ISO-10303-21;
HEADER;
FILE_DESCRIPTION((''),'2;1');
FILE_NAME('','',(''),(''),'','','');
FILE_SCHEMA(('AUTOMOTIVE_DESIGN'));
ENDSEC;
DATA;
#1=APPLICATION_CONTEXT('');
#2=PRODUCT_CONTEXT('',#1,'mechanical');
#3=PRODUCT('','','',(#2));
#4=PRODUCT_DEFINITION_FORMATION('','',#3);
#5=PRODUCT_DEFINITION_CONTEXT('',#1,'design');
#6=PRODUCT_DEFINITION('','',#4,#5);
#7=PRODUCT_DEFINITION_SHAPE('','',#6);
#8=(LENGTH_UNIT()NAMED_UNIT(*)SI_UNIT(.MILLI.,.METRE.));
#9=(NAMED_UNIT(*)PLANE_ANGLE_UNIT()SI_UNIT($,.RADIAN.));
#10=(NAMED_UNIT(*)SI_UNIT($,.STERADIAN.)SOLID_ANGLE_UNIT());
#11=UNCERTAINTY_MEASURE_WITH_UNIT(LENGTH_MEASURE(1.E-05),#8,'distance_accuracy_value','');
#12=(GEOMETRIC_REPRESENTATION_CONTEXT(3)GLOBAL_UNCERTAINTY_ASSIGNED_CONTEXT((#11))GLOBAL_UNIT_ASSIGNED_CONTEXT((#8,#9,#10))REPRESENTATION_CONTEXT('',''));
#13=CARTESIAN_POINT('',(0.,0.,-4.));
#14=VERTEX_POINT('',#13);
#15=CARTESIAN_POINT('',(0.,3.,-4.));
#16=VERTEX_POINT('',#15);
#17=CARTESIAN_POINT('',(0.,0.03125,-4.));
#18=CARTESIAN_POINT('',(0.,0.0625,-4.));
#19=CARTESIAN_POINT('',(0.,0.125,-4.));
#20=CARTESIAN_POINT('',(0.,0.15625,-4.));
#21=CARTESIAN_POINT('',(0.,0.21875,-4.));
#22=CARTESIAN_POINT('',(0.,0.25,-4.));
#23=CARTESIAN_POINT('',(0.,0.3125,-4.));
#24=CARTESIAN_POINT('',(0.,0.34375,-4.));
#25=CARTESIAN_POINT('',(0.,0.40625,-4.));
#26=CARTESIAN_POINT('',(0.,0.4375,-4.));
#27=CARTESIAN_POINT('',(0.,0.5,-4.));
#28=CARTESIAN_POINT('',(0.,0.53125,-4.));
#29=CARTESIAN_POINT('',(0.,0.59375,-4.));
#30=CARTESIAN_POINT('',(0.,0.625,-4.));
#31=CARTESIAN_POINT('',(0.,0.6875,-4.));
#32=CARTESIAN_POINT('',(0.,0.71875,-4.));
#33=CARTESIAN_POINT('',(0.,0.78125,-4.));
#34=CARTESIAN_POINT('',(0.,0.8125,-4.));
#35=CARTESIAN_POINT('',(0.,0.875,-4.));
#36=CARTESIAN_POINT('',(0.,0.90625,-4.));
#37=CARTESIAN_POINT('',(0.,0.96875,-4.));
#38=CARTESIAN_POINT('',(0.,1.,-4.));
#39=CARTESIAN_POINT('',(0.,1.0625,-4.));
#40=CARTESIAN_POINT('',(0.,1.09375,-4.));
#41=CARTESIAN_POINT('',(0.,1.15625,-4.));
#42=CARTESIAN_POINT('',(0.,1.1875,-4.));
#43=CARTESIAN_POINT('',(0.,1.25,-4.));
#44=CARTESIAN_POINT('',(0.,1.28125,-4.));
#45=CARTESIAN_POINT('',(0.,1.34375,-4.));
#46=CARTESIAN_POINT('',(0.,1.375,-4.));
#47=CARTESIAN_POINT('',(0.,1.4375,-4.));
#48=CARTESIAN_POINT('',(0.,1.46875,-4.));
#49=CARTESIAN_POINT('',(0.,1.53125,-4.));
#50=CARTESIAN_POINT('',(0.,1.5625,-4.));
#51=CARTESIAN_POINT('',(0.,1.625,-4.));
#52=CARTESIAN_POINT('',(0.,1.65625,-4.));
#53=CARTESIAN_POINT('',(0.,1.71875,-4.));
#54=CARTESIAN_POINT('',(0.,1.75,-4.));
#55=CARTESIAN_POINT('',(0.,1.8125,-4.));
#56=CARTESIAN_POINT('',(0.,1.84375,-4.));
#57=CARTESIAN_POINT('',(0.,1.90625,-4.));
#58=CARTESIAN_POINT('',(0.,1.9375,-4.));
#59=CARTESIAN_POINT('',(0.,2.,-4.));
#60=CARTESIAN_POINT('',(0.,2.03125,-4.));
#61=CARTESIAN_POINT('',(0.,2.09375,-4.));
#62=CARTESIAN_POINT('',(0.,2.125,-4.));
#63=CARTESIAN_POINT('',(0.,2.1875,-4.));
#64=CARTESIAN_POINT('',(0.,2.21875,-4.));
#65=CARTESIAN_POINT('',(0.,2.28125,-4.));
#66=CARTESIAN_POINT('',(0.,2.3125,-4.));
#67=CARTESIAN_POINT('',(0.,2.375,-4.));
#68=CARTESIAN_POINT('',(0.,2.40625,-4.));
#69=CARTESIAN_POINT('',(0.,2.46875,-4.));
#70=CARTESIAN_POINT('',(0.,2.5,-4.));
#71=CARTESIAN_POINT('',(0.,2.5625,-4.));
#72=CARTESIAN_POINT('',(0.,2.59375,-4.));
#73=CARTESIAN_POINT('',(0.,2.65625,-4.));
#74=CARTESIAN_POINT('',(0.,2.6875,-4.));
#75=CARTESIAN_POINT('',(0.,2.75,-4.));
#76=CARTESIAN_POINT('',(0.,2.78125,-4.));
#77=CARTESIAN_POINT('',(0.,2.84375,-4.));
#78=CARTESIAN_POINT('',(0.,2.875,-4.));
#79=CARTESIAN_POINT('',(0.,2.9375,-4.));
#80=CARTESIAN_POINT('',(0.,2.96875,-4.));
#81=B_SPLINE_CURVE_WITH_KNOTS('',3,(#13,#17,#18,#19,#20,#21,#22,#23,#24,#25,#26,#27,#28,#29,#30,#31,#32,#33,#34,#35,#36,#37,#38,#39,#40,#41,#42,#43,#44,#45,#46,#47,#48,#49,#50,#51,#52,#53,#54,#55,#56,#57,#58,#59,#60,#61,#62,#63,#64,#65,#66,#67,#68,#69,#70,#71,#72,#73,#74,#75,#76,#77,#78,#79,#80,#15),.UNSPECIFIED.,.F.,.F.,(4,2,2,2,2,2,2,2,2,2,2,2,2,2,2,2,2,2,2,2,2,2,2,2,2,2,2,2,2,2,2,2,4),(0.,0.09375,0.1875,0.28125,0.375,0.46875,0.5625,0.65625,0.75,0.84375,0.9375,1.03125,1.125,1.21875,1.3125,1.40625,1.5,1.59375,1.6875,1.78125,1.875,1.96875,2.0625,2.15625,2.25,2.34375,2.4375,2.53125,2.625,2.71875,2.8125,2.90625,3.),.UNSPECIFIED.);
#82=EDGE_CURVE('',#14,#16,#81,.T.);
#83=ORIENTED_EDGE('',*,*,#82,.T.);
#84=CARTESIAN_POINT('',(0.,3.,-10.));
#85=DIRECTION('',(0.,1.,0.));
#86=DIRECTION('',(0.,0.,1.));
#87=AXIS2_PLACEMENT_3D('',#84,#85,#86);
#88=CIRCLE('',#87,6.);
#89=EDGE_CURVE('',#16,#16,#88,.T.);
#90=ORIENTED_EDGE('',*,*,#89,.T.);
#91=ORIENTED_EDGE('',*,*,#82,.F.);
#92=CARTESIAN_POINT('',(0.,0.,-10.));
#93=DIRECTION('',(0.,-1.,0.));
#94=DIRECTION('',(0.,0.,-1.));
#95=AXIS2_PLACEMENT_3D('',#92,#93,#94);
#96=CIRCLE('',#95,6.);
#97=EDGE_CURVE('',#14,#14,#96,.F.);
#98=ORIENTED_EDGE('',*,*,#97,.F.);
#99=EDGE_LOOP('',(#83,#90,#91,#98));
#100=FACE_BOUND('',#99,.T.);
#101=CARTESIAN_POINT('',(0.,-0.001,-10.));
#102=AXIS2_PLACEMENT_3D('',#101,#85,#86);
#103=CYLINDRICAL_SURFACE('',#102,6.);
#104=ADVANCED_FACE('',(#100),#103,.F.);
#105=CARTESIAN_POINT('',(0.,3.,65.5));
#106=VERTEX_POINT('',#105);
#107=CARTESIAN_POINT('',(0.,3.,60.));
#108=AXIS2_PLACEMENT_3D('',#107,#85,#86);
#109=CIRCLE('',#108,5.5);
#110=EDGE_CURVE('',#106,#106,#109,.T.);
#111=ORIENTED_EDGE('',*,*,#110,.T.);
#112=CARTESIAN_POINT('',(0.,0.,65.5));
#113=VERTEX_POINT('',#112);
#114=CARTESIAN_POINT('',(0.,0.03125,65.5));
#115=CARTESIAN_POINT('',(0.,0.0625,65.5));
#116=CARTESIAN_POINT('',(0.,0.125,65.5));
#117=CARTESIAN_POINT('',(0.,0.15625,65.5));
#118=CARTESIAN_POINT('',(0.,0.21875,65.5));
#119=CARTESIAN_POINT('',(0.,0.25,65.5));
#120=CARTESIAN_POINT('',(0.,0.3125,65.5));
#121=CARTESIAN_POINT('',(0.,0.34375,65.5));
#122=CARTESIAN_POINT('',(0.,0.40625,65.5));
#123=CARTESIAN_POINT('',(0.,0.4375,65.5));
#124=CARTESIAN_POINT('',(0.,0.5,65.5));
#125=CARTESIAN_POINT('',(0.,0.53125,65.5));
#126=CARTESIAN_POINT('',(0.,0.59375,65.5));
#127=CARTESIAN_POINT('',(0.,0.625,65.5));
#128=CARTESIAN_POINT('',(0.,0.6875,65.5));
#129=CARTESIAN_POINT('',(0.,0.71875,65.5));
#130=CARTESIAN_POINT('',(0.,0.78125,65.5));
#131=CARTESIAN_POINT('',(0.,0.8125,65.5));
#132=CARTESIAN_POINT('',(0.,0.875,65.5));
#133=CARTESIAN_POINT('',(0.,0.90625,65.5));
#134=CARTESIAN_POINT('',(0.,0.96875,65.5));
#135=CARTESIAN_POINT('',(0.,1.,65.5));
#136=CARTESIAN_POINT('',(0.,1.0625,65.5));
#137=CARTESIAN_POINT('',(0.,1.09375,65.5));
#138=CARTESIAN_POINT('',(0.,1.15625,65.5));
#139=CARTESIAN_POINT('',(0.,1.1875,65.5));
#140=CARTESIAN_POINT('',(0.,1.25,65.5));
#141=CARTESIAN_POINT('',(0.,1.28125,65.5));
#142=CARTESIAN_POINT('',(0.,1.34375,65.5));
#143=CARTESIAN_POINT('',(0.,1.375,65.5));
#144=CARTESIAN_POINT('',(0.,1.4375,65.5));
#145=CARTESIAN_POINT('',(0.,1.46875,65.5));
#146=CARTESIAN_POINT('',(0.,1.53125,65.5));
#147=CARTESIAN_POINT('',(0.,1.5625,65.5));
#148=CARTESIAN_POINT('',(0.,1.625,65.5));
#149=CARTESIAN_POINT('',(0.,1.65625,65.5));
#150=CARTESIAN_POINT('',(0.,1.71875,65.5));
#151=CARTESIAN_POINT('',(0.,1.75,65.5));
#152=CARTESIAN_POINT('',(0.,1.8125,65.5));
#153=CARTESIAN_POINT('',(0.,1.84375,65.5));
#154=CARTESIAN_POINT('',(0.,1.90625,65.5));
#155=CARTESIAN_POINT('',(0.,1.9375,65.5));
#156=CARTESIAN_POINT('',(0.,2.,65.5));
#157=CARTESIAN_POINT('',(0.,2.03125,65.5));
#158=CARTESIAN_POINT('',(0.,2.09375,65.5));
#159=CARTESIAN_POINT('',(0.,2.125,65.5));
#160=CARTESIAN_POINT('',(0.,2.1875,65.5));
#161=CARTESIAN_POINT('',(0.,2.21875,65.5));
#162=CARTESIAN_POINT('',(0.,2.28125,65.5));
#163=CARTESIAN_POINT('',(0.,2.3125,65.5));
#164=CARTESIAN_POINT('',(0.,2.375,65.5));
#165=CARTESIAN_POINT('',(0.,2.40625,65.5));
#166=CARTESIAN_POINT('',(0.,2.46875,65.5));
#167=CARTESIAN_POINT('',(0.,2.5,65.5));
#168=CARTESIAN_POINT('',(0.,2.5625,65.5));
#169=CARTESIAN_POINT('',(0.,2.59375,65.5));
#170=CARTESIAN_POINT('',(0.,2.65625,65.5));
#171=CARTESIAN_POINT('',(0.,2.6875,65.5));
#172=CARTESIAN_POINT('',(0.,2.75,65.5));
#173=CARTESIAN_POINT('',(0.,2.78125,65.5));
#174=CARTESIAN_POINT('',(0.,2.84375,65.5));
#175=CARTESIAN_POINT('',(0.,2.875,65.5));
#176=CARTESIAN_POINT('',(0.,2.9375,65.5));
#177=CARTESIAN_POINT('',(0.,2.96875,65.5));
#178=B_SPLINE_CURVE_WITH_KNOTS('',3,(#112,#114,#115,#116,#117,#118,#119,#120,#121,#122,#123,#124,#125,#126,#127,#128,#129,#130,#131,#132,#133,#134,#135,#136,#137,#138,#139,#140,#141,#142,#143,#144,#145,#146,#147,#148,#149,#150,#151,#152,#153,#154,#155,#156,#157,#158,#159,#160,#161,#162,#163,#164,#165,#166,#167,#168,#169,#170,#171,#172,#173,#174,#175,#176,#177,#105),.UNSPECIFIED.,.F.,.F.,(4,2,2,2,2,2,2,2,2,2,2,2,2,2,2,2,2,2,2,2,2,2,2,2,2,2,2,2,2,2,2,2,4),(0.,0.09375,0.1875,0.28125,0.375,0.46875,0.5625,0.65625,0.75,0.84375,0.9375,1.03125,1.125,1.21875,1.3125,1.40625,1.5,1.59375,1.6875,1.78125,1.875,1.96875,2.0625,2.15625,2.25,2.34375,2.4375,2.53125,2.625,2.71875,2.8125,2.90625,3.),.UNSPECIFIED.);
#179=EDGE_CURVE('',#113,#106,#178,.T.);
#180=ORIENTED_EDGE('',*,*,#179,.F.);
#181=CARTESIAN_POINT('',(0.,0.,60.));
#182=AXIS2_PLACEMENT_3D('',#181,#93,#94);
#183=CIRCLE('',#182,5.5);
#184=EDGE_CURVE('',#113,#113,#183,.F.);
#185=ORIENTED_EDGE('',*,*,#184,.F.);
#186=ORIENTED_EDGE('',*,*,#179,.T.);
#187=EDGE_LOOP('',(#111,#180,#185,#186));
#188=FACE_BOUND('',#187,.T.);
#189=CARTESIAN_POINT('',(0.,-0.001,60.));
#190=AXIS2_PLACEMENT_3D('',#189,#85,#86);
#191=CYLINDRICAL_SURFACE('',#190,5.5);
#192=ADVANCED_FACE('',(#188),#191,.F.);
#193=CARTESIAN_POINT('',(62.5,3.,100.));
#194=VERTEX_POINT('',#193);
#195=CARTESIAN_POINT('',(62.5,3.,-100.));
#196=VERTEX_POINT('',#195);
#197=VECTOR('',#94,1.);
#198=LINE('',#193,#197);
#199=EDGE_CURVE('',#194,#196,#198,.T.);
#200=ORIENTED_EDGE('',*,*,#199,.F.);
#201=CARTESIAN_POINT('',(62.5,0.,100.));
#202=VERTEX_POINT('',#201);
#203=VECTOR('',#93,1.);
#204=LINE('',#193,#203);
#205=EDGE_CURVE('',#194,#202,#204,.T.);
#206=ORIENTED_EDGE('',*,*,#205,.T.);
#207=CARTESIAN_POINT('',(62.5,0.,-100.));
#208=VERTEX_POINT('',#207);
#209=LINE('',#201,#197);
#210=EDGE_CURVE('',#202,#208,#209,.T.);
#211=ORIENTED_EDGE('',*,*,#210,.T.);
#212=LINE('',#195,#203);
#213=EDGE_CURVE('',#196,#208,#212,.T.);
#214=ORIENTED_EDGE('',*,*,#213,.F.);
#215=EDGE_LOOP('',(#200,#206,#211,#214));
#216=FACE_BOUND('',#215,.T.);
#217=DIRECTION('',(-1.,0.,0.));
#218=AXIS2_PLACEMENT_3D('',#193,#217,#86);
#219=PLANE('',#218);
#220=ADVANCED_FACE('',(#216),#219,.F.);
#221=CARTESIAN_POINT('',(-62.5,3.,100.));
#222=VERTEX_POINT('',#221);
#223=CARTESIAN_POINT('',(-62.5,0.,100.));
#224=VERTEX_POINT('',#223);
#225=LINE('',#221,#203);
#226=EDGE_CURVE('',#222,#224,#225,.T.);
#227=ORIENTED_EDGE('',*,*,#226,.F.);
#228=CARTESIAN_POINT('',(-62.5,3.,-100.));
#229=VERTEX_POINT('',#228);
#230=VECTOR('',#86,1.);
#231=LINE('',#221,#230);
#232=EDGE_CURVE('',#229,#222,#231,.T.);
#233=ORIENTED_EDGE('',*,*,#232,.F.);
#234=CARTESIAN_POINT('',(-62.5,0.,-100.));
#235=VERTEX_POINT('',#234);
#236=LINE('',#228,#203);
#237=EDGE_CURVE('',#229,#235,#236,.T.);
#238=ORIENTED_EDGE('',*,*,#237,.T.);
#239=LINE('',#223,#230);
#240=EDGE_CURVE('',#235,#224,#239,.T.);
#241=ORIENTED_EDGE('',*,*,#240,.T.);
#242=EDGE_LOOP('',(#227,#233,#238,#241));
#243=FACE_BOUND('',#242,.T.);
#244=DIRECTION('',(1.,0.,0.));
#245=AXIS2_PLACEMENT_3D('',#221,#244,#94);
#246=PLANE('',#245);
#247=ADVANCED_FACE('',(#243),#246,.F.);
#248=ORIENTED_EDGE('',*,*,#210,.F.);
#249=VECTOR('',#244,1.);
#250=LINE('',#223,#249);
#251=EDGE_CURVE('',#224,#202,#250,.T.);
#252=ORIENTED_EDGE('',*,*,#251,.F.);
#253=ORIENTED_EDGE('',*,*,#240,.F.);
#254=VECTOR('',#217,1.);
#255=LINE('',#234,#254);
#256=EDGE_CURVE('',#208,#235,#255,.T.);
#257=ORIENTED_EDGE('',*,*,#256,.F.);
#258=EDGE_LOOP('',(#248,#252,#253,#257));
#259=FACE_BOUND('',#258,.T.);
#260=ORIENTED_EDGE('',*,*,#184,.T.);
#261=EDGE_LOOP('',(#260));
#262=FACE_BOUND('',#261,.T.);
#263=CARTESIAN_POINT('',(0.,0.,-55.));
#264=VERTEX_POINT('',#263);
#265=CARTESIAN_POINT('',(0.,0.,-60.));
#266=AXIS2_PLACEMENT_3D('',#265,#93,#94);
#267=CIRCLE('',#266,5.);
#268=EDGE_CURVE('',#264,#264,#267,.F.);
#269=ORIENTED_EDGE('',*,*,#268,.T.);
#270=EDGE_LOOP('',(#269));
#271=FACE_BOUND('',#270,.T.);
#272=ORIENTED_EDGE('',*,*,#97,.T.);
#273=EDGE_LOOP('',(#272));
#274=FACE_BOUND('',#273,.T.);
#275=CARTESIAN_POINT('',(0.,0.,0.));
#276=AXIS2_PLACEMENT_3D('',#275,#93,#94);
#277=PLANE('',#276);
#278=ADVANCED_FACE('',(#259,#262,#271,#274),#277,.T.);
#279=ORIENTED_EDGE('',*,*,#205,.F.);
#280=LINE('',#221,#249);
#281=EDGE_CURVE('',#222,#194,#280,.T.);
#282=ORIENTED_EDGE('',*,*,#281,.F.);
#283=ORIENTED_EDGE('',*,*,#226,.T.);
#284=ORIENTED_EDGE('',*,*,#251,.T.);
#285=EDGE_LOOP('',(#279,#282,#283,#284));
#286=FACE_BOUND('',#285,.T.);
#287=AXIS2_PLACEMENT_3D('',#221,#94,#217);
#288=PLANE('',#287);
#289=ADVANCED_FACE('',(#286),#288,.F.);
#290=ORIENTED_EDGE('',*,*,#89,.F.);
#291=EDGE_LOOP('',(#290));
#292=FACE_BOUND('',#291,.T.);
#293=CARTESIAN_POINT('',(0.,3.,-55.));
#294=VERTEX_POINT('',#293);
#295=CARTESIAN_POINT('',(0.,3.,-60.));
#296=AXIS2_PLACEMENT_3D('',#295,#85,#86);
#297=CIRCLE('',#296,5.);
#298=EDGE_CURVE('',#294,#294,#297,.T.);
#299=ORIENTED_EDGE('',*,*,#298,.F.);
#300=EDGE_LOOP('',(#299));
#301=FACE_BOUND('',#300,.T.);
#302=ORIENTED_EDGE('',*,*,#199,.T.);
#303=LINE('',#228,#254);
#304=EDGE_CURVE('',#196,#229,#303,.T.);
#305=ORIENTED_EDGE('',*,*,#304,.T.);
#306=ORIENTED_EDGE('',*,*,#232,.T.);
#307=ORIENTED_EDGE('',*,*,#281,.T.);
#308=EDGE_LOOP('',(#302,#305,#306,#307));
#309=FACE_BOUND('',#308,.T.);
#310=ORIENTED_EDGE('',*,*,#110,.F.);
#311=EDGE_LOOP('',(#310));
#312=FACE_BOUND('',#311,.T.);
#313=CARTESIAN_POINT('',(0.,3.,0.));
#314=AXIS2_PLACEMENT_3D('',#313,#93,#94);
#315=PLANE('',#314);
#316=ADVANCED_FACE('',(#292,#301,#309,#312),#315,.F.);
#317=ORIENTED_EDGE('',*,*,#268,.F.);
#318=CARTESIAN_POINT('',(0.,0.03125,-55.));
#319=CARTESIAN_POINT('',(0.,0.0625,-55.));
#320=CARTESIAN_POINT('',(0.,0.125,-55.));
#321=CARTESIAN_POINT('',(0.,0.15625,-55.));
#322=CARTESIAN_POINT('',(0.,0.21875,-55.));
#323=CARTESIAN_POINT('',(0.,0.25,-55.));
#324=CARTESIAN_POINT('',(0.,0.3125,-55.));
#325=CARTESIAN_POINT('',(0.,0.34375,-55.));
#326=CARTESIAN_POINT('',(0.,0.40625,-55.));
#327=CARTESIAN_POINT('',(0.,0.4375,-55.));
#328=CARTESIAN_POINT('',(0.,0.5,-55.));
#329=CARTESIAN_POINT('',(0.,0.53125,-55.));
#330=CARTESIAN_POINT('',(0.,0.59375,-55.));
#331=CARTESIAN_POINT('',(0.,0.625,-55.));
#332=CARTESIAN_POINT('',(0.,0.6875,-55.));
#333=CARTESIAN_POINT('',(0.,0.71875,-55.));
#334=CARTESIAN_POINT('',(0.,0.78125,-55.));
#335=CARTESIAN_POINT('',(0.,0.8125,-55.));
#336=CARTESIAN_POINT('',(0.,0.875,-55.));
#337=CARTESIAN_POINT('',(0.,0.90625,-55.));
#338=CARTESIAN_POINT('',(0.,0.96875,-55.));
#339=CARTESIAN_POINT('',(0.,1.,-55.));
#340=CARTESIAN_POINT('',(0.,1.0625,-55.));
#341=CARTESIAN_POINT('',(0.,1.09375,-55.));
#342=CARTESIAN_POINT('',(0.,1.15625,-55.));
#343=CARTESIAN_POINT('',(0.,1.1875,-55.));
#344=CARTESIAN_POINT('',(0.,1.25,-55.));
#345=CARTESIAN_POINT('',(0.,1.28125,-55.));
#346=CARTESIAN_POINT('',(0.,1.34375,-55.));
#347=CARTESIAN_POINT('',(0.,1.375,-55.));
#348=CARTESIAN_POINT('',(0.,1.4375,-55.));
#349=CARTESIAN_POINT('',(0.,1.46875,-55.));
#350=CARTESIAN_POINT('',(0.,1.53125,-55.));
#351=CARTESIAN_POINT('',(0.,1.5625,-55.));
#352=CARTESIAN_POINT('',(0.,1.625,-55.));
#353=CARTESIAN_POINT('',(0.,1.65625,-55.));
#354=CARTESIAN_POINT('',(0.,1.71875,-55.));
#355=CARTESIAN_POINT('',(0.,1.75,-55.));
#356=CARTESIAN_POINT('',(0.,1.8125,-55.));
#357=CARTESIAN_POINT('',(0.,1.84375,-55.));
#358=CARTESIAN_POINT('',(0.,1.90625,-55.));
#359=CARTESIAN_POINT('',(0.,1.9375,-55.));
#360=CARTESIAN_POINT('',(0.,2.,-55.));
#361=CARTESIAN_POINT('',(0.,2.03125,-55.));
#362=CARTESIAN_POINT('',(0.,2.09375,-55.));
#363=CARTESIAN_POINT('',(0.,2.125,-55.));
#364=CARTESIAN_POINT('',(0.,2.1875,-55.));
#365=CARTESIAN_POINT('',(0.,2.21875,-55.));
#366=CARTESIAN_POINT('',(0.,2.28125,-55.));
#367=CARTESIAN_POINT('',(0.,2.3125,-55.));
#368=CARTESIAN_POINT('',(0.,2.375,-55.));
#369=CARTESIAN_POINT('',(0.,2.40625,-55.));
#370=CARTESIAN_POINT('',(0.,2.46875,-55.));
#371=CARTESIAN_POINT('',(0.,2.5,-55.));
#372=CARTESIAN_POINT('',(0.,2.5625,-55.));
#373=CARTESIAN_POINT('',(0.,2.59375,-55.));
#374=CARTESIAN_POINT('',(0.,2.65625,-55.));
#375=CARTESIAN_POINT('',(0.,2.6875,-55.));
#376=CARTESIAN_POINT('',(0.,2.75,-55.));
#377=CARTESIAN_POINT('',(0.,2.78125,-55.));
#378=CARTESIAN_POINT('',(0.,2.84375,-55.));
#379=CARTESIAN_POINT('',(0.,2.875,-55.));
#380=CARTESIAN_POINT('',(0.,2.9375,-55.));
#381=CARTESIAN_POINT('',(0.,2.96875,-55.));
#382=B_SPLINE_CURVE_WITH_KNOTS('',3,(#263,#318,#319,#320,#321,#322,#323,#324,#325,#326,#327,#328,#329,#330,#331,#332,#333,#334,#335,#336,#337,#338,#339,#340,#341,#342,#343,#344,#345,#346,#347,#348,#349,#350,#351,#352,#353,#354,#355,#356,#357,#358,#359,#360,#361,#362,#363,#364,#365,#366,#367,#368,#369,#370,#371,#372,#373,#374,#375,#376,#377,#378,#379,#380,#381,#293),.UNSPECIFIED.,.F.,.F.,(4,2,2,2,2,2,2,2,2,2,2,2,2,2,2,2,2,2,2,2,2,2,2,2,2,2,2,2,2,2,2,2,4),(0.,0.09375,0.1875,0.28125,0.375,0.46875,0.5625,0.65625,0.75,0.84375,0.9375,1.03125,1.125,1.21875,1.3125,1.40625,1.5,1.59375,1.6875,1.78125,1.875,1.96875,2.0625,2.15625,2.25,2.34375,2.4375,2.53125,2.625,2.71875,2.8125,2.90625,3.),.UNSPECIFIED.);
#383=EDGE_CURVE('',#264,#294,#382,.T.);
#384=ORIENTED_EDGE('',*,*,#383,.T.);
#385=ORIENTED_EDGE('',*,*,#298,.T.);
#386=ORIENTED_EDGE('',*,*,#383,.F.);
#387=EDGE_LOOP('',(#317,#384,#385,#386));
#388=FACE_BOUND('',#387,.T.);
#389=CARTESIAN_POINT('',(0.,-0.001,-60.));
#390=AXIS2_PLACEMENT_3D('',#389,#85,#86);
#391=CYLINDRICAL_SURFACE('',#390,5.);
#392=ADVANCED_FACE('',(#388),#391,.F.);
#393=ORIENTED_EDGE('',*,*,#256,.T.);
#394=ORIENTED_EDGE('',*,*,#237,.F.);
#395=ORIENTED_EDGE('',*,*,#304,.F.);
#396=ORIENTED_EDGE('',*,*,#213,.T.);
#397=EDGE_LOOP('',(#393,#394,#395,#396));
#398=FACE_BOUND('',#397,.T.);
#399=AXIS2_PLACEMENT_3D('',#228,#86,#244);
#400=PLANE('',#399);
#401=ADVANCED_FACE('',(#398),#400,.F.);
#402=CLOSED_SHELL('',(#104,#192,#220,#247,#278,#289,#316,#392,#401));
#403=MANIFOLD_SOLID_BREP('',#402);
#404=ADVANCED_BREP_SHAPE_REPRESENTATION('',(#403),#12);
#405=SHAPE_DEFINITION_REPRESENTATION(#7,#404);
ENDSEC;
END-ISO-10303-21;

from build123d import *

# Parameters (mm, degrees)
SKETCH1_W           = 125
SKETCH1_H           = 200
BOSS_EXTRUDE1_DEPTH = 3
SKETCH2_R           = 5
SKETCH2_R_2         = 5.5
SKETCH2_R_3         = 6
CUT_EXTRUDE1_DEPTH  = 3


with BuildPart() as part:
    # Sketch1 → Boss-Extrude1 (new body)
    with BuildSketch(Plane(origin=(0, 0, 0), x_dir=(1, 0, 0), z_dir=(0, 1, 0))):
        Rectangle(SKETCH1_W, SKETCH1_H)
    extrude(amount=BOSS_EXTRUDE1_DEPTH)

    # Sketch2 → Cut-Extrude1 (cut)
    with BuildSketch(Plane(origin=(0, 3, 0), x_dir=(1, 0, 0), z_dir=(0, 1, 0))):
        with Locations(Location((0, 60, 0), (0, 0, 270))):
            Circle(SKETCH2_R)
        with Locations(Location((0, -60, 0), (0, 0, 270))):
            Circle(SKETCH2_R_2)
        with Locations(Location((0, 10, 0), (0, 0, 270))):
            Circle(SKETCH2_R_3)
    extrude(amount=-CUT_EXTRUDE1_DEPTH, mode=Mode.SUBTRACT)


solid = part.part
